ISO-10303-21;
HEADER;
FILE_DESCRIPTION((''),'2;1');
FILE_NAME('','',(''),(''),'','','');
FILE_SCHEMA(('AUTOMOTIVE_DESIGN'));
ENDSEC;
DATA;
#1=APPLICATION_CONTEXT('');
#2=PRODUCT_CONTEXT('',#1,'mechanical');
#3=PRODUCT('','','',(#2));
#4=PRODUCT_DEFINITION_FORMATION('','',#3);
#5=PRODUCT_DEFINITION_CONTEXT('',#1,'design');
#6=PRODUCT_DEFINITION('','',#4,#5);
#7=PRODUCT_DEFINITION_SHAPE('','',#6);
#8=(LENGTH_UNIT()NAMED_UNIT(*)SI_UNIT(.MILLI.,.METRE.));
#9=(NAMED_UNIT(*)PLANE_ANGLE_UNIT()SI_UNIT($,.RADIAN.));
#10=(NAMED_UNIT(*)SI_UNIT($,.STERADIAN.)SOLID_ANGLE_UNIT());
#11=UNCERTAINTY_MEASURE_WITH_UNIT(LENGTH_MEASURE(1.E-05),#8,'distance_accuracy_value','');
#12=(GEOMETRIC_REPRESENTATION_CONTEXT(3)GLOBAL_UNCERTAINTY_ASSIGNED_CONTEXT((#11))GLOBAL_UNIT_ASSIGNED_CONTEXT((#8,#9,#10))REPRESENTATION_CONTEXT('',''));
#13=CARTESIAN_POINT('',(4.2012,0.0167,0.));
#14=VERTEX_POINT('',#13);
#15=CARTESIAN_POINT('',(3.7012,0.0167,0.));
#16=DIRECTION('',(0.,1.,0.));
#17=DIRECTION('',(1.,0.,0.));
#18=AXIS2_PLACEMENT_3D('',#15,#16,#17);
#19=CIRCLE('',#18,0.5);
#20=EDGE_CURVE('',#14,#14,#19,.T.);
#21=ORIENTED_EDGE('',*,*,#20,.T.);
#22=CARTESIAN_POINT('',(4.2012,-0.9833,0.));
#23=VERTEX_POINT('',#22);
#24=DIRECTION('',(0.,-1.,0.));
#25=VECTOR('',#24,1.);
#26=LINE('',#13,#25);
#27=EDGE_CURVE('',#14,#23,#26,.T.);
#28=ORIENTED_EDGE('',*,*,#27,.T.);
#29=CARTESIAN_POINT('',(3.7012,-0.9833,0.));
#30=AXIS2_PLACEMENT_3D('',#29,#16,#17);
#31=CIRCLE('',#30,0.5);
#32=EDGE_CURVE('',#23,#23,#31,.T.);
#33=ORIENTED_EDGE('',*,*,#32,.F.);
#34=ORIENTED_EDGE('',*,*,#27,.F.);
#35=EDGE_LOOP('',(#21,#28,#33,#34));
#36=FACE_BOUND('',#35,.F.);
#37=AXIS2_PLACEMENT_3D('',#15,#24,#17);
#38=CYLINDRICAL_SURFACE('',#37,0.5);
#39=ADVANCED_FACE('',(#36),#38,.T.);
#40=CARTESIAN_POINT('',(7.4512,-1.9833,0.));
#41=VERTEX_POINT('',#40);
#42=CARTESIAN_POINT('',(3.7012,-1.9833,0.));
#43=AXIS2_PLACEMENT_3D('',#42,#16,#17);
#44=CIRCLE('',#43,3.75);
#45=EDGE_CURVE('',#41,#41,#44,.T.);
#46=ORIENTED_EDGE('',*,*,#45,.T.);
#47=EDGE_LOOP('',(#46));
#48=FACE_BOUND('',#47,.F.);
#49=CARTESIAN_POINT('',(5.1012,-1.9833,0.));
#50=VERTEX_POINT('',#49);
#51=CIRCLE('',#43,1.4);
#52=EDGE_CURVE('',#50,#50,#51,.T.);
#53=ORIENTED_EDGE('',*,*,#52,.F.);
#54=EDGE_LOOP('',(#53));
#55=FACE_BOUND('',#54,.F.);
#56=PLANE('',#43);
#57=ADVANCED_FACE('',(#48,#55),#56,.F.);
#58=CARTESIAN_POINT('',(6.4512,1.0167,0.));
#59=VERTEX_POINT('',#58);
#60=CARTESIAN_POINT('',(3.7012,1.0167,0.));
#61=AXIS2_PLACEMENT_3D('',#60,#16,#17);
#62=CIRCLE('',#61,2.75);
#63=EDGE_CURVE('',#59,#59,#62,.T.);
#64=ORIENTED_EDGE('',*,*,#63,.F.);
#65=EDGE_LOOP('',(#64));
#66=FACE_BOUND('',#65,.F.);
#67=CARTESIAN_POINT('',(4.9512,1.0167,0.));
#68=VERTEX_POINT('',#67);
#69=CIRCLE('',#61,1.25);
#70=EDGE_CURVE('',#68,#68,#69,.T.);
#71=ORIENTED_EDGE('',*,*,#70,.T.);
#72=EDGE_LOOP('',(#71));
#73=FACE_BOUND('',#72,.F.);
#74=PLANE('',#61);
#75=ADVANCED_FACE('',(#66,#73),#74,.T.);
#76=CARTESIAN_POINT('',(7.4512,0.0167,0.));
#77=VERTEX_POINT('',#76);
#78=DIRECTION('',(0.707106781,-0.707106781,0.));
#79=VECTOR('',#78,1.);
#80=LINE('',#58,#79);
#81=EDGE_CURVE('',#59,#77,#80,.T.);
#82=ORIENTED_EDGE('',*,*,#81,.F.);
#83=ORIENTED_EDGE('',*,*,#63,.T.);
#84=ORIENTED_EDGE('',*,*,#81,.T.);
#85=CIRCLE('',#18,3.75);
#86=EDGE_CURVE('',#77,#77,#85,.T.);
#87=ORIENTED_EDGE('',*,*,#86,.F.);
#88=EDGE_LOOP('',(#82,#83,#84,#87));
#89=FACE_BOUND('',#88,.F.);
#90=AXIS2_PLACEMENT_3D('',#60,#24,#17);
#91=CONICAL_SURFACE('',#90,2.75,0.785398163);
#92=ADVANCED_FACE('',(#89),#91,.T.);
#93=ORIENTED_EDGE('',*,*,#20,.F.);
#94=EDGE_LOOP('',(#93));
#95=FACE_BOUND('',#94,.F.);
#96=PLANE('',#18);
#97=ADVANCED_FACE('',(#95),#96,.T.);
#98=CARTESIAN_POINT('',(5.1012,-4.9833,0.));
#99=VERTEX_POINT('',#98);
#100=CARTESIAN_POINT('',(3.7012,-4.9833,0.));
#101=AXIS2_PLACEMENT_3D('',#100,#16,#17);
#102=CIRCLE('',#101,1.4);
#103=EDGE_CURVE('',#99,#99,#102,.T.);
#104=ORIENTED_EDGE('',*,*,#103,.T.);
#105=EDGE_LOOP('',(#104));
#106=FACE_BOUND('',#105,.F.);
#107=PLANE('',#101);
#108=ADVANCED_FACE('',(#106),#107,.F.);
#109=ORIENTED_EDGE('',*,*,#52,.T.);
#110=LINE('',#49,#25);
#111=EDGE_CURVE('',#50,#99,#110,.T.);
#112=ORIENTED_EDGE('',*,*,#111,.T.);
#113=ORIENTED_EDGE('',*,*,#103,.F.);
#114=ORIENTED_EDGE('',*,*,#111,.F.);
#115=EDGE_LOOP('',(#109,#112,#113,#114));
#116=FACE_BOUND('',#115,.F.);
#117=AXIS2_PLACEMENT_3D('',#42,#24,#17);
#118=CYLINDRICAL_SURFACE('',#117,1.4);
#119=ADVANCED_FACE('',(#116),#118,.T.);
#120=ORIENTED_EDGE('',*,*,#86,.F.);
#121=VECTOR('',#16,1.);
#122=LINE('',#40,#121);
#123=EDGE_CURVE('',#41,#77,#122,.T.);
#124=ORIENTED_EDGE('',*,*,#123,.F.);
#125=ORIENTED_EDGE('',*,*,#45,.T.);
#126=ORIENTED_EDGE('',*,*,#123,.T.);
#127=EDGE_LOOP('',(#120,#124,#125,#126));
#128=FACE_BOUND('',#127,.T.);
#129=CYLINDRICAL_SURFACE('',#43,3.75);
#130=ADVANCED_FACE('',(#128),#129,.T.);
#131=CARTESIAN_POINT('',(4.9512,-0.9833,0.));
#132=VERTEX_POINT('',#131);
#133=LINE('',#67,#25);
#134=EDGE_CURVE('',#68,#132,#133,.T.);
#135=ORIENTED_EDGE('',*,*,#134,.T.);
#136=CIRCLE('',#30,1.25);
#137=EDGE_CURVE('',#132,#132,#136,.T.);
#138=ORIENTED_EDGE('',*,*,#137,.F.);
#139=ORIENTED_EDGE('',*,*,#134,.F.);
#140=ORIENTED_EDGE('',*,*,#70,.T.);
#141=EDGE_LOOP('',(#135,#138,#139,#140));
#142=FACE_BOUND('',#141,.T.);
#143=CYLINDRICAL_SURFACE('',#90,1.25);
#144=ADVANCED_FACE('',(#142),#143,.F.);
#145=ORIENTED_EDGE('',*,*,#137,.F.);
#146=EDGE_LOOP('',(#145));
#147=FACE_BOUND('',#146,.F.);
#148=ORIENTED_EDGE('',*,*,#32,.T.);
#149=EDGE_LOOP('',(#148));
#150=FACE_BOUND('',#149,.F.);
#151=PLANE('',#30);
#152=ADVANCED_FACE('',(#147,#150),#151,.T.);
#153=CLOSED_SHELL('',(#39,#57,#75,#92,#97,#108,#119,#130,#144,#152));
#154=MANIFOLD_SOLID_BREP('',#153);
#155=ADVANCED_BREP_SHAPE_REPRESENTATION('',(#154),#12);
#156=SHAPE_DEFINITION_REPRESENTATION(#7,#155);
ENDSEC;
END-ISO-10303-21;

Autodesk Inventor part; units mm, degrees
ref_plane "YZ Plane" through (0, 0, 0) normal (1, 0, 0) x (0, 1, 0)
ref_plane "XZ Plane" through (0, 0, 0) normal (0, 1, 0) x (-1, 0, 0)
ref_plane "XY Plane" through (0, 0, 0) normal (0, 0, 1) x (1, 0, 0)
sketch "Sketch1" plane through (0, 0, 0) normal (0, 0, 1) x (1, 0, 0)
  line L0 (5.1012, -1.9833) -> (5.1012, -4.9833)
  line L1 (7.4512, -1.9833) -> (7.4512, 0.0167)
  line L2 (4.9512, 1.0167) -> (4.9512, -0.9833)
  line L3 (4.2012, 0.0167) -> (4.2012, -0.9833)
  line L4 (4.9512, 1.0167) -> (6.4512, 1.0167)
  line L5 (7.4512, -1.9833) -> (5.1012, -1.9833)
  line L6 (5.1012, -4.9833) -> (3.7012, -4.9833)
  line L7 (3.7012, -4.9833) -> (3.7012, 0.0167)
  line L8 (4.2012, -0.9833) -> (4.9512, -0.9833)
  line L9 (6.4512, 1.0167) -> (7.4512, 0.0167)
  line L10 (3.7012, 0.0167) -> (4.2012, 0.0167)
revolve "Revolution1" add sketch "Sketch1" angle 360 about axis through (3.7012, -4.9833, 0) along (0, 1, 0)
properties part number "MUSAB5" material "Bronze, Soft Tin"
